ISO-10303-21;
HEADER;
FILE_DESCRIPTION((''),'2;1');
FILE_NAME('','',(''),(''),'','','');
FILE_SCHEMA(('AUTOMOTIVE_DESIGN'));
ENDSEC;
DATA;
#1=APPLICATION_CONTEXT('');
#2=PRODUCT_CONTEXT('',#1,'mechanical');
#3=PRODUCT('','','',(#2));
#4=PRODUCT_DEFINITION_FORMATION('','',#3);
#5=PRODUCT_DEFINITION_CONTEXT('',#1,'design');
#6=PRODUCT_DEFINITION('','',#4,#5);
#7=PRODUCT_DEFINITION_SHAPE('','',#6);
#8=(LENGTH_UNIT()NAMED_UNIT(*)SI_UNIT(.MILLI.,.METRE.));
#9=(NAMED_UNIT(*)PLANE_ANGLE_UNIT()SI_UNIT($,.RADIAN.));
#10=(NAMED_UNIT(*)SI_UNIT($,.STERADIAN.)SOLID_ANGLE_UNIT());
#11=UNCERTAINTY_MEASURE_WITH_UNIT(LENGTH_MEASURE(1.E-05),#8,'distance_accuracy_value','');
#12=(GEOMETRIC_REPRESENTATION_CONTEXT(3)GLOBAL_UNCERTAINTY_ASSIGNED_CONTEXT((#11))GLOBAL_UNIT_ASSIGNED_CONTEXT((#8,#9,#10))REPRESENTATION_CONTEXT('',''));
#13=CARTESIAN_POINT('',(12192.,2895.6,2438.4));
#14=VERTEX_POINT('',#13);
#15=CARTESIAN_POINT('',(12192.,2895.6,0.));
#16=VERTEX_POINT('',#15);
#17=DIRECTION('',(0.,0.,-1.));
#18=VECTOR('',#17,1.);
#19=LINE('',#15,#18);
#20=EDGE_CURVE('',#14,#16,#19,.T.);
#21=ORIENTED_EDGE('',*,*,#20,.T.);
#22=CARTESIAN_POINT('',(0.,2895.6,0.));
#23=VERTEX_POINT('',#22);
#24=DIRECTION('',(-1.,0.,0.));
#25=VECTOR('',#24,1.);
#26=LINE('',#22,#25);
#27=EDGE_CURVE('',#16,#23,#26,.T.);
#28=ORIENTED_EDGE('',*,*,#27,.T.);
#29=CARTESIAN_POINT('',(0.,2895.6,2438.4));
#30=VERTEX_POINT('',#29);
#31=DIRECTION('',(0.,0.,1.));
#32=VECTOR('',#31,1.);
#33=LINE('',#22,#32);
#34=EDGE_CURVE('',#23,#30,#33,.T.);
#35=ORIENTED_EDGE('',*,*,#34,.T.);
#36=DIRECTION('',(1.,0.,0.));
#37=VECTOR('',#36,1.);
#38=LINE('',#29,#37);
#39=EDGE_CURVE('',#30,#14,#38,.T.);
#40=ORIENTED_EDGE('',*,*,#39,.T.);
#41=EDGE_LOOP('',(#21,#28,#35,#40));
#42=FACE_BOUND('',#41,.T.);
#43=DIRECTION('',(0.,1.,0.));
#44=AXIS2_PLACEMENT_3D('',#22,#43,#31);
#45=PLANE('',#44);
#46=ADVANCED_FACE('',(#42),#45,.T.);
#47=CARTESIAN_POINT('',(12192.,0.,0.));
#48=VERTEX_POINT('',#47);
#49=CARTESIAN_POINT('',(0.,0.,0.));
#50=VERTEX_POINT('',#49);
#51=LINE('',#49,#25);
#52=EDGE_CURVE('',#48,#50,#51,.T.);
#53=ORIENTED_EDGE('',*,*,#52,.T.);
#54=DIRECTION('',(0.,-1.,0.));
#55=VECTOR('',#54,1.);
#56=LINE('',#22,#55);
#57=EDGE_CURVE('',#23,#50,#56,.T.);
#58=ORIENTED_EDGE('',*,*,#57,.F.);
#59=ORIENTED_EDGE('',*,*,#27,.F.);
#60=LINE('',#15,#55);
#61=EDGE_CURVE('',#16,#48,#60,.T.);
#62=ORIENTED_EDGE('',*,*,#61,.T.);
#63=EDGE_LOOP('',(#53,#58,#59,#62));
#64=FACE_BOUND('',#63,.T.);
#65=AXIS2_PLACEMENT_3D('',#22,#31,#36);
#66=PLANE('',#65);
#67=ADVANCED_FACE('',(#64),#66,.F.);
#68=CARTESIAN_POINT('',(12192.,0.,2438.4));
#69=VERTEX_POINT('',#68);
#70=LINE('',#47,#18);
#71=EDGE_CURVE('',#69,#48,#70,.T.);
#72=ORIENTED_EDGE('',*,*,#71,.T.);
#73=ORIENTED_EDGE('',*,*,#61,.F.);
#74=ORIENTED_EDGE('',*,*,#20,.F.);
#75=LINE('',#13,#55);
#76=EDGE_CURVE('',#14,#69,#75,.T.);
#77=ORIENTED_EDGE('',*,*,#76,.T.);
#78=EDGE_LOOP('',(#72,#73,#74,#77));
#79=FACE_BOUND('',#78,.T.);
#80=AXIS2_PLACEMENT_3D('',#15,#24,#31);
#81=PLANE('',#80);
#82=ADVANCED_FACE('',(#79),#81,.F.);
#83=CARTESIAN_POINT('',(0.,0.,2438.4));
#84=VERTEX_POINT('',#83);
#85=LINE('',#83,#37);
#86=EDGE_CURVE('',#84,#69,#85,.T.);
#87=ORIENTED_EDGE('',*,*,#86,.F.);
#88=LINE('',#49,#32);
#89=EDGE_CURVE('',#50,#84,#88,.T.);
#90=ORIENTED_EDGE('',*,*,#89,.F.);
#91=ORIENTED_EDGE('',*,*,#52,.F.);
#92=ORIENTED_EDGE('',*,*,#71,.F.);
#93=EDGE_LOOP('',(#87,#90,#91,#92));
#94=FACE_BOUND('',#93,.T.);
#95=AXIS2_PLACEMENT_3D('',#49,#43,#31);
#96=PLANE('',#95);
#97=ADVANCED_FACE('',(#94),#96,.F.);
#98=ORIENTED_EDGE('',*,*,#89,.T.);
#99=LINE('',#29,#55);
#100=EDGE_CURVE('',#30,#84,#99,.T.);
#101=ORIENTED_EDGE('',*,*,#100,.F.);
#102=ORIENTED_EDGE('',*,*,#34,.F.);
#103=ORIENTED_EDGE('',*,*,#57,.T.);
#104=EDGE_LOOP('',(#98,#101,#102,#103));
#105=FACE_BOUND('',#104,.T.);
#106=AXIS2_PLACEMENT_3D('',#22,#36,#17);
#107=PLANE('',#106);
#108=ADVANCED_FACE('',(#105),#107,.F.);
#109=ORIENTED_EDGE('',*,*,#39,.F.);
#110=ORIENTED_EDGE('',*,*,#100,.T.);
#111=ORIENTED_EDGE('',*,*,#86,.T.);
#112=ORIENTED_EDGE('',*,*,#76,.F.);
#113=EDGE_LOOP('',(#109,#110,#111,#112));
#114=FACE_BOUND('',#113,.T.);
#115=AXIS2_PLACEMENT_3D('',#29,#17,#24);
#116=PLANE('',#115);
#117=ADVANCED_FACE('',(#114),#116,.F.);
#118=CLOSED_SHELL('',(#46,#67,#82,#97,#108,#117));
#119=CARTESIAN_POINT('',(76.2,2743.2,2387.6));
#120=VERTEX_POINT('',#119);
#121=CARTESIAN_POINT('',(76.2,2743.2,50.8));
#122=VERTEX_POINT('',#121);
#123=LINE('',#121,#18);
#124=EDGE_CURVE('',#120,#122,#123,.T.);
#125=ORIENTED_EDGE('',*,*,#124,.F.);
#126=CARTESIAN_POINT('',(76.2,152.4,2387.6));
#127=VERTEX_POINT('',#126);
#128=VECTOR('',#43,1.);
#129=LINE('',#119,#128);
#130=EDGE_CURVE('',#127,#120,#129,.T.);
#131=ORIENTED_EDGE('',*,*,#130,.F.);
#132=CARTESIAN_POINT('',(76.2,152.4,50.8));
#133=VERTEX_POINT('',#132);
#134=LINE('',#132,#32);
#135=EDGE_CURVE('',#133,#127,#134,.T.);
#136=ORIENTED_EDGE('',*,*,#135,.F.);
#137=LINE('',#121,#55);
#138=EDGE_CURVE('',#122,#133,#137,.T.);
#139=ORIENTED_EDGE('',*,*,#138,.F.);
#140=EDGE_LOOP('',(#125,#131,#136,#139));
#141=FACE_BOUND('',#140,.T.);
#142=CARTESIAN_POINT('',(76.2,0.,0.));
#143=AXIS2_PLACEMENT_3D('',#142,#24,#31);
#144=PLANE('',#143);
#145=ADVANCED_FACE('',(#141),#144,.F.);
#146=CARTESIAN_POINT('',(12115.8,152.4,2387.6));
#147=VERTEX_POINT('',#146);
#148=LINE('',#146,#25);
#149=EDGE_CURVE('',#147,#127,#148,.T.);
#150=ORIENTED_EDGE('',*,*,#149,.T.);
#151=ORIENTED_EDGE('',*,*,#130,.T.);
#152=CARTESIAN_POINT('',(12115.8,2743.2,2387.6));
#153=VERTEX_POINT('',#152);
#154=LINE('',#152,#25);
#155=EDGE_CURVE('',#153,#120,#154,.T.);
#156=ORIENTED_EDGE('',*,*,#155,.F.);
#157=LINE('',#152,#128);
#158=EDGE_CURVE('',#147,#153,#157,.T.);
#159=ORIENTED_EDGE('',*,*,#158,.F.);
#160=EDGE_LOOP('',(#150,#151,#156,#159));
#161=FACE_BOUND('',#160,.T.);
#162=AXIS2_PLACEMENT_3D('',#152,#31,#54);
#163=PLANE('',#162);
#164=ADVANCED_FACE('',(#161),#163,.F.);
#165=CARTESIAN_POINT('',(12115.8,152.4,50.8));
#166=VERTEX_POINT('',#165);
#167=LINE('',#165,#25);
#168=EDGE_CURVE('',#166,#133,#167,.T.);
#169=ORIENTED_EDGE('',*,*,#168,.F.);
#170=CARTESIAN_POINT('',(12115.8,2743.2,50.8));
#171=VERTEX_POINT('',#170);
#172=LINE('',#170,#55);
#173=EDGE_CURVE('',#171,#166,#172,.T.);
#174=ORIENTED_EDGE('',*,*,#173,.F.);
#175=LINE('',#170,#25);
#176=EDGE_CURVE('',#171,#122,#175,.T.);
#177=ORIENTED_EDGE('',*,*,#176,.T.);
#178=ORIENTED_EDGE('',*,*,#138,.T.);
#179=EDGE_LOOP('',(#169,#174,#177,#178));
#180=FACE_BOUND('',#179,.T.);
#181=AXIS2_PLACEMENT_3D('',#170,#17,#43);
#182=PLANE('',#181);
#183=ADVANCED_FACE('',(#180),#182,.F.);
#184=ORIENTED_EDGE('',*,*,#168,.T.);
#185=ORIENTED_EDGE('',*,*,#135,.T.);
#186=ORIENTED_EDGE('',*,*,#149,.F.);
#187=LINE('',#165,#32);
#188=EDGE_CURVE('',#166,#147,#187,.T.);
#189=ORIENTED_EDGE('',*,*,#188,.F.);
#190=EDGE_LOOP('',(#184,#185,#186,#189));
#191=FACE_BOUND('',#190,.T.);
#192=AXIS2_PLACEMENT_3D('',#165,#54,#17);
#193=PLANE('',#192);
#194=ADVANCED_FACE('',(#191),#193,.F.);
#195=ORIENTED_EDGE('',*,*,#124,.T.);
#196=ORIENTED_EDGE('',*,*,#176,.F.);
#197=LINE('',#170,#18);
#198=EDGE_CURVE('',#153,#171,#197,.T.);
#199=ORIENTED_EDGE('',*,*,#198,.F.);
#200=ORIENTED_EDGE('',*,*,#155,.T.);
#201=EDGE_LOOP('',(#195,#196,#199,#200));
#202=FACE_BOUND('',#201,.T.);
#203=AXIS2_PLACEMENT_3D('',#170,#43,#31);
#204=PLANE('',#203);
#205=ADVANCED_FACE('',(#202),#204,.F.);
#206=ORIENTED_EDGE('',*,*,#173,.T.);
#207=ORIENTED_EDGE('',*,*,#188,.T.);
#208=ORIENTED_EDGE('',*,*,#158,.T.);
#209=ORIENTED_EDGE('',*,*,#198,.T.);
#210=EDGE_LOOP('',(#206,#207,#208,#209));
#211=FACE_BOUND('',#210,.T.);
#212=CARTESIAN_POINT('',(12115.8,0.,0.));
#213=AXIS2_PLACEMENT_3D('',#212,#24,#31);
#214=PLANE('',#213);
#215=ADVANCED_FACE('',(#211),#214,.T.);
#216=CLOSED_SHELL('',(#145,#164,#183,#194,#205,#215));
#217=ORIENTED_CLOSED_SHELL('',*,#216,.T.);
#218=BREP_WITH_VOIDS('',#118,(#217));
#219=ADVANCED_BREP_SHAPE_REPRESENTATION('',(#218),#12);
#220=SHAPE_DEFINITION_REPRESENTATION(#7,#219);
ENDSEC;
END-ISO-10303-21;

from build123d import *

# Parameters (mm, degrees)
SKETCH1_W           = 12192
SKETCH1_H           = 2438.4
BOSS_EXTRUDE1_DEPTH = 2895.6
SKETCH2_W           = 2336.8
SKETCH2_H           = 2590.8
CUT_EXTRUDE1_DEPTH  = 12039.6


with BuildPart() as part:
    # Sketch1 → Boss-Extrude1 (new body)
    with BuildSketch(Plane(origin=(0, 0, 0), x_dir=(1, 0, 0), z_dir=(0, 1, 0))):
        with Locations((6096, -1219.2)):
            Rectangle(SKETCH1_W, SKETCH1_H)
    extrude(amount=BOSS_EXTRUDE1_DEPTH)

    # Sketch2 → Cut-Extrude1 (cut)
    with BuildSketch(Plane.ZY.offset(-76.2)):
        with Locations((1219.2, 1447.8)):
            Rectangle(SKETCH2_W, SKETCH2_H)
    extrude(amount=-CUT_EXTRUDE1_DEPTH, mode=Mode.SUBTRACT)


solid = part.part
